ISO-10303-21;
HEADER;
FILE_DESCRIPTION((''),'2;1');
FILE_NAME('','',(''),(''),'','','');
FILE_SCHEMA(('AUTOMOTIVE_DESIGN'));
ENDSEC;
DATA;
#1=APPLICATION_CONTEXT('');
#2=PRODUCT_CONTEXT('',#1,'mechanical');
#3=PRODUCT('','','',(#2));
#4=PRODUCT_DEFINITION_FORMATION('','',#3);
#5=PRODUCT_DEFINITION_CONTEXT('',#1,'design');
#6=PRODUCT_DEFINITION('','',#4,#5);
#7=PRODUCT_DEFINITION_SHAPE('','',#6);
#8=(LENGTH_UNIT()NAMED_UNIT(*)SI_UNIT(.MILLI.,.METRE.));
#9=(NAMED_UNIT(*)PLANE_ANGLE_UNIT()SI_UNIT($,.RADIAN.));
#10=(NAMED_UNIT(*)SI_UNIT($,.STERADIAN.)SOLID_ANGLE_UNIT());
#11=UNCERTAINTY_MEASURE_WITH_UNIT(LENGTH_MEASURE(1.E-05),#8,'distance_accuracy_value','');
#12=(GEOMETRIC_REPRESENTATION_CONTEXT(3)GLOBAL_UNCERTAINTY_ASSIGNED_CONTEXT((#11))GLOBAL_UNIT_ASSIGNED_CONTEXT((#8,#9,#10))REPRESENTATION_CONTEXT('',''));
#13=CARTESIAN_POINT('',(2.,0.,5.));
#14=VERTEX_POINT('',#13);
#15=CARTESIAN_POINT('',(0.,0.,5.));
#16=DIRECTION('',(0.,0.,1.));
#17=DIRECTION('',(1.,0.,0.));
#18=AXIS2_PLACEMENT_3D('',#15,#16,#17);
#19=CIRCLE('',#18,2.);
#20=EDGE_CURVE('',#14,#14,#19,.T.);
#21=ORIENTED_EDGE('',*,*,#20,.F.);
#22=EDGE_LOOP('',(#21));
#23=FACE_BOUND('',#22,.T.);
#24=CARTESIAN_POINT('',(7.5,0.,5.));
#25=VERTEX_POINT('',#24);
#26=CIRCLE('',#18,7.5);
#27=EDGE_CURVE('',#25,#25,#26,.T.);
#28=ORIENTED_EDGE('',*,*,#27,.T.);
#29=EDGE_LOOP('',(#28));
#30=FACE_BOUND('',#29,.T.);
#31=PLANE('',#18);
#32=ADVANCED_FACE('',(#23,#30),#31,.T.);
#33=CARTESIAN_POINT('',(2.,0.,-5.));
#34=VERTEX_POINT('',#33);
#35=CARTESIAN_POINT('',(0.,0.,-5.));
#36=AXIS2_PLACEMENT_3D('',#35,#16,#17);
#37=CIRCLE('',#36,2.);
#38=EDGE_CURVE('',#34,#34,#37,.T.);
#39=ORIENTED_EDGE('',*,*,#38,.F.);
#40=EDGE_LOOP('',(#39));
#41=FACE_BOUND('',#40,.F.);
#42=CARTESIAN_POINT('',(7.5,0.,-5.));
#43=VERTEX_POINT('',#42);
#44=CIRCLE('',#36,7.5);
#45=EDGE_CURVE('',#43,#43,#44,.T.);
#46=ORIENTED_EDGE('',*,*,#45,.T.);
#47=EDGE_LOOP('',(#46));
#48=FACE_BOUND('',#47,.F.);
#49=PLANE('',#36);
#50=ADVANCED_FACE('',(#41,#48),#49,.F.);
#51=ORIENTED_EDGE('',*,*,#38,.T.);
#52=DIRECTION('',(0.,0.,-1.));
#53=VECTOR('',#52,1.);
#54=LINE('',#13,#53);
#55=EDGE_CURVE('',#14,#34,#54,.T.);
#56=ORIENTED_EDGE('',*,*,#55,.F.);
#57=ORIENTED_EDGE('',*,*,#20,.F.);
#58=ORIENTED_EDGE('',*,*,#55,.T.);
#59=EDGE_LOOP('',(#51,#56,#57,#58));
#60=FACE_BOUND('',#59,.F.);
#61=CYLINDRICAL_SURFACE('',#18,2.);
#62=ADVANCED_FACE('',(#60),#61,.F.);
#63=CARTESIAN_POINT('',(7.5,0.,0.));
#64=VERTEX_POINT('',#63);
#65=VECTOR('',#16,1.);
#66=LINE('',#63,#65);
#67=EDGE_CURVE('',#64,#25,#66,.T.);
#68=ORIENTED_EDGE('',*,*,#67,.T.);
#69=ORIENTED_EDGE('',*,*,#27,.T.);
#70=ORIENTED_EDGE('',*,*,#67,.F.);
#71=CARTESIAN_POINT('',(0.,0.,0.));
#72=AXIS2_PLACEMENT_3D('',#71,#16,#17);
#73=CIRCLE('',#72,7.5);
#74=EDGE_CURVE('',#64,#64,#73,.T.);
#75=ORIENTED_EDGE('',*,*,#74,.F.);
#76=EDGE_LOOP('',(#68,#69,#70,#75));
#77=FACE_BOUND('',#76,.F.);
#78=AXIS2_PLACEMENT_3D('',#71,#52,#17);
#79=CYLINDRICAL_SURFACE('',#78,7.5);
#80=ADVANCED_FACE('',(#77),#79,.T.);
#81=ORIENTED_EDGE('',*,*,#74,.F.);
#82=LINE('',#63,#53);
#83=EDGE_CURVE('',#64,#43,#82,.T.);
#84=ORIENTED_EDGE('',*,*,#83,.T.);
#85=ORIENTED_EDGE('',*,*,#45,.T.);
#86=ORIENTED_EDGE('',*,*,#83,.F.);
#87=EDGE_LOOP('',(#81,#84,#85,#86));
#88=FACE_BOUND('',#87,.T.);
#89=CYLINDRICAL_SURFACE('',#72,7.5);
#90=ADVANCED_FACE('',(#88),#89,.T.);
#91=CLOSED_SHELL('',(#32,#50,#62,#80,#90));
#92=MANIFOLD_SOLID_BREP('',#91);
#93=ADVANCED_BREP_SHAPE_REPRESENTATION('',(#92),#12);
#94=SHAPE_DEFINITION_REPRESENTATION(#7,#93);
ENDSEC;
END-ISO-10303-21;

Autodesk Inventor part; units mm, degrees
ref_plane "YZ Plane" through (0, 0, 0) normal (1, 0, 0) x (0, 1, 0)
ref_plane "XZ Plane" through (0, 0, 0) normal (0, 1, 0) x (-1, 0, 0)
ref_plane "XY Plane" through (0, 0, 0) normal (0, 0, 1) x (1, 0, 0)
sketch "草图1" plane through (0, 0, 0) normal (0, 0, 1) x (1, 0, 0)
  circle A0 centre (0, 0) radius 7.5
  dimension "直径" = 15
extrude "拉伸1" add sketch "草图1" along normal mid plane 10
sketch "草图2" plane through (0, 0, 5) normal (0, 0, 1) x (1, 0, 0)
  circle A0 centre (0, 0) radius 2
  dimension "孔径" = 4
extrude "拉伸2" cut sketch "草图2" along normal through all both and the other way through all
properties part number "滚子" material "PVC 管"
